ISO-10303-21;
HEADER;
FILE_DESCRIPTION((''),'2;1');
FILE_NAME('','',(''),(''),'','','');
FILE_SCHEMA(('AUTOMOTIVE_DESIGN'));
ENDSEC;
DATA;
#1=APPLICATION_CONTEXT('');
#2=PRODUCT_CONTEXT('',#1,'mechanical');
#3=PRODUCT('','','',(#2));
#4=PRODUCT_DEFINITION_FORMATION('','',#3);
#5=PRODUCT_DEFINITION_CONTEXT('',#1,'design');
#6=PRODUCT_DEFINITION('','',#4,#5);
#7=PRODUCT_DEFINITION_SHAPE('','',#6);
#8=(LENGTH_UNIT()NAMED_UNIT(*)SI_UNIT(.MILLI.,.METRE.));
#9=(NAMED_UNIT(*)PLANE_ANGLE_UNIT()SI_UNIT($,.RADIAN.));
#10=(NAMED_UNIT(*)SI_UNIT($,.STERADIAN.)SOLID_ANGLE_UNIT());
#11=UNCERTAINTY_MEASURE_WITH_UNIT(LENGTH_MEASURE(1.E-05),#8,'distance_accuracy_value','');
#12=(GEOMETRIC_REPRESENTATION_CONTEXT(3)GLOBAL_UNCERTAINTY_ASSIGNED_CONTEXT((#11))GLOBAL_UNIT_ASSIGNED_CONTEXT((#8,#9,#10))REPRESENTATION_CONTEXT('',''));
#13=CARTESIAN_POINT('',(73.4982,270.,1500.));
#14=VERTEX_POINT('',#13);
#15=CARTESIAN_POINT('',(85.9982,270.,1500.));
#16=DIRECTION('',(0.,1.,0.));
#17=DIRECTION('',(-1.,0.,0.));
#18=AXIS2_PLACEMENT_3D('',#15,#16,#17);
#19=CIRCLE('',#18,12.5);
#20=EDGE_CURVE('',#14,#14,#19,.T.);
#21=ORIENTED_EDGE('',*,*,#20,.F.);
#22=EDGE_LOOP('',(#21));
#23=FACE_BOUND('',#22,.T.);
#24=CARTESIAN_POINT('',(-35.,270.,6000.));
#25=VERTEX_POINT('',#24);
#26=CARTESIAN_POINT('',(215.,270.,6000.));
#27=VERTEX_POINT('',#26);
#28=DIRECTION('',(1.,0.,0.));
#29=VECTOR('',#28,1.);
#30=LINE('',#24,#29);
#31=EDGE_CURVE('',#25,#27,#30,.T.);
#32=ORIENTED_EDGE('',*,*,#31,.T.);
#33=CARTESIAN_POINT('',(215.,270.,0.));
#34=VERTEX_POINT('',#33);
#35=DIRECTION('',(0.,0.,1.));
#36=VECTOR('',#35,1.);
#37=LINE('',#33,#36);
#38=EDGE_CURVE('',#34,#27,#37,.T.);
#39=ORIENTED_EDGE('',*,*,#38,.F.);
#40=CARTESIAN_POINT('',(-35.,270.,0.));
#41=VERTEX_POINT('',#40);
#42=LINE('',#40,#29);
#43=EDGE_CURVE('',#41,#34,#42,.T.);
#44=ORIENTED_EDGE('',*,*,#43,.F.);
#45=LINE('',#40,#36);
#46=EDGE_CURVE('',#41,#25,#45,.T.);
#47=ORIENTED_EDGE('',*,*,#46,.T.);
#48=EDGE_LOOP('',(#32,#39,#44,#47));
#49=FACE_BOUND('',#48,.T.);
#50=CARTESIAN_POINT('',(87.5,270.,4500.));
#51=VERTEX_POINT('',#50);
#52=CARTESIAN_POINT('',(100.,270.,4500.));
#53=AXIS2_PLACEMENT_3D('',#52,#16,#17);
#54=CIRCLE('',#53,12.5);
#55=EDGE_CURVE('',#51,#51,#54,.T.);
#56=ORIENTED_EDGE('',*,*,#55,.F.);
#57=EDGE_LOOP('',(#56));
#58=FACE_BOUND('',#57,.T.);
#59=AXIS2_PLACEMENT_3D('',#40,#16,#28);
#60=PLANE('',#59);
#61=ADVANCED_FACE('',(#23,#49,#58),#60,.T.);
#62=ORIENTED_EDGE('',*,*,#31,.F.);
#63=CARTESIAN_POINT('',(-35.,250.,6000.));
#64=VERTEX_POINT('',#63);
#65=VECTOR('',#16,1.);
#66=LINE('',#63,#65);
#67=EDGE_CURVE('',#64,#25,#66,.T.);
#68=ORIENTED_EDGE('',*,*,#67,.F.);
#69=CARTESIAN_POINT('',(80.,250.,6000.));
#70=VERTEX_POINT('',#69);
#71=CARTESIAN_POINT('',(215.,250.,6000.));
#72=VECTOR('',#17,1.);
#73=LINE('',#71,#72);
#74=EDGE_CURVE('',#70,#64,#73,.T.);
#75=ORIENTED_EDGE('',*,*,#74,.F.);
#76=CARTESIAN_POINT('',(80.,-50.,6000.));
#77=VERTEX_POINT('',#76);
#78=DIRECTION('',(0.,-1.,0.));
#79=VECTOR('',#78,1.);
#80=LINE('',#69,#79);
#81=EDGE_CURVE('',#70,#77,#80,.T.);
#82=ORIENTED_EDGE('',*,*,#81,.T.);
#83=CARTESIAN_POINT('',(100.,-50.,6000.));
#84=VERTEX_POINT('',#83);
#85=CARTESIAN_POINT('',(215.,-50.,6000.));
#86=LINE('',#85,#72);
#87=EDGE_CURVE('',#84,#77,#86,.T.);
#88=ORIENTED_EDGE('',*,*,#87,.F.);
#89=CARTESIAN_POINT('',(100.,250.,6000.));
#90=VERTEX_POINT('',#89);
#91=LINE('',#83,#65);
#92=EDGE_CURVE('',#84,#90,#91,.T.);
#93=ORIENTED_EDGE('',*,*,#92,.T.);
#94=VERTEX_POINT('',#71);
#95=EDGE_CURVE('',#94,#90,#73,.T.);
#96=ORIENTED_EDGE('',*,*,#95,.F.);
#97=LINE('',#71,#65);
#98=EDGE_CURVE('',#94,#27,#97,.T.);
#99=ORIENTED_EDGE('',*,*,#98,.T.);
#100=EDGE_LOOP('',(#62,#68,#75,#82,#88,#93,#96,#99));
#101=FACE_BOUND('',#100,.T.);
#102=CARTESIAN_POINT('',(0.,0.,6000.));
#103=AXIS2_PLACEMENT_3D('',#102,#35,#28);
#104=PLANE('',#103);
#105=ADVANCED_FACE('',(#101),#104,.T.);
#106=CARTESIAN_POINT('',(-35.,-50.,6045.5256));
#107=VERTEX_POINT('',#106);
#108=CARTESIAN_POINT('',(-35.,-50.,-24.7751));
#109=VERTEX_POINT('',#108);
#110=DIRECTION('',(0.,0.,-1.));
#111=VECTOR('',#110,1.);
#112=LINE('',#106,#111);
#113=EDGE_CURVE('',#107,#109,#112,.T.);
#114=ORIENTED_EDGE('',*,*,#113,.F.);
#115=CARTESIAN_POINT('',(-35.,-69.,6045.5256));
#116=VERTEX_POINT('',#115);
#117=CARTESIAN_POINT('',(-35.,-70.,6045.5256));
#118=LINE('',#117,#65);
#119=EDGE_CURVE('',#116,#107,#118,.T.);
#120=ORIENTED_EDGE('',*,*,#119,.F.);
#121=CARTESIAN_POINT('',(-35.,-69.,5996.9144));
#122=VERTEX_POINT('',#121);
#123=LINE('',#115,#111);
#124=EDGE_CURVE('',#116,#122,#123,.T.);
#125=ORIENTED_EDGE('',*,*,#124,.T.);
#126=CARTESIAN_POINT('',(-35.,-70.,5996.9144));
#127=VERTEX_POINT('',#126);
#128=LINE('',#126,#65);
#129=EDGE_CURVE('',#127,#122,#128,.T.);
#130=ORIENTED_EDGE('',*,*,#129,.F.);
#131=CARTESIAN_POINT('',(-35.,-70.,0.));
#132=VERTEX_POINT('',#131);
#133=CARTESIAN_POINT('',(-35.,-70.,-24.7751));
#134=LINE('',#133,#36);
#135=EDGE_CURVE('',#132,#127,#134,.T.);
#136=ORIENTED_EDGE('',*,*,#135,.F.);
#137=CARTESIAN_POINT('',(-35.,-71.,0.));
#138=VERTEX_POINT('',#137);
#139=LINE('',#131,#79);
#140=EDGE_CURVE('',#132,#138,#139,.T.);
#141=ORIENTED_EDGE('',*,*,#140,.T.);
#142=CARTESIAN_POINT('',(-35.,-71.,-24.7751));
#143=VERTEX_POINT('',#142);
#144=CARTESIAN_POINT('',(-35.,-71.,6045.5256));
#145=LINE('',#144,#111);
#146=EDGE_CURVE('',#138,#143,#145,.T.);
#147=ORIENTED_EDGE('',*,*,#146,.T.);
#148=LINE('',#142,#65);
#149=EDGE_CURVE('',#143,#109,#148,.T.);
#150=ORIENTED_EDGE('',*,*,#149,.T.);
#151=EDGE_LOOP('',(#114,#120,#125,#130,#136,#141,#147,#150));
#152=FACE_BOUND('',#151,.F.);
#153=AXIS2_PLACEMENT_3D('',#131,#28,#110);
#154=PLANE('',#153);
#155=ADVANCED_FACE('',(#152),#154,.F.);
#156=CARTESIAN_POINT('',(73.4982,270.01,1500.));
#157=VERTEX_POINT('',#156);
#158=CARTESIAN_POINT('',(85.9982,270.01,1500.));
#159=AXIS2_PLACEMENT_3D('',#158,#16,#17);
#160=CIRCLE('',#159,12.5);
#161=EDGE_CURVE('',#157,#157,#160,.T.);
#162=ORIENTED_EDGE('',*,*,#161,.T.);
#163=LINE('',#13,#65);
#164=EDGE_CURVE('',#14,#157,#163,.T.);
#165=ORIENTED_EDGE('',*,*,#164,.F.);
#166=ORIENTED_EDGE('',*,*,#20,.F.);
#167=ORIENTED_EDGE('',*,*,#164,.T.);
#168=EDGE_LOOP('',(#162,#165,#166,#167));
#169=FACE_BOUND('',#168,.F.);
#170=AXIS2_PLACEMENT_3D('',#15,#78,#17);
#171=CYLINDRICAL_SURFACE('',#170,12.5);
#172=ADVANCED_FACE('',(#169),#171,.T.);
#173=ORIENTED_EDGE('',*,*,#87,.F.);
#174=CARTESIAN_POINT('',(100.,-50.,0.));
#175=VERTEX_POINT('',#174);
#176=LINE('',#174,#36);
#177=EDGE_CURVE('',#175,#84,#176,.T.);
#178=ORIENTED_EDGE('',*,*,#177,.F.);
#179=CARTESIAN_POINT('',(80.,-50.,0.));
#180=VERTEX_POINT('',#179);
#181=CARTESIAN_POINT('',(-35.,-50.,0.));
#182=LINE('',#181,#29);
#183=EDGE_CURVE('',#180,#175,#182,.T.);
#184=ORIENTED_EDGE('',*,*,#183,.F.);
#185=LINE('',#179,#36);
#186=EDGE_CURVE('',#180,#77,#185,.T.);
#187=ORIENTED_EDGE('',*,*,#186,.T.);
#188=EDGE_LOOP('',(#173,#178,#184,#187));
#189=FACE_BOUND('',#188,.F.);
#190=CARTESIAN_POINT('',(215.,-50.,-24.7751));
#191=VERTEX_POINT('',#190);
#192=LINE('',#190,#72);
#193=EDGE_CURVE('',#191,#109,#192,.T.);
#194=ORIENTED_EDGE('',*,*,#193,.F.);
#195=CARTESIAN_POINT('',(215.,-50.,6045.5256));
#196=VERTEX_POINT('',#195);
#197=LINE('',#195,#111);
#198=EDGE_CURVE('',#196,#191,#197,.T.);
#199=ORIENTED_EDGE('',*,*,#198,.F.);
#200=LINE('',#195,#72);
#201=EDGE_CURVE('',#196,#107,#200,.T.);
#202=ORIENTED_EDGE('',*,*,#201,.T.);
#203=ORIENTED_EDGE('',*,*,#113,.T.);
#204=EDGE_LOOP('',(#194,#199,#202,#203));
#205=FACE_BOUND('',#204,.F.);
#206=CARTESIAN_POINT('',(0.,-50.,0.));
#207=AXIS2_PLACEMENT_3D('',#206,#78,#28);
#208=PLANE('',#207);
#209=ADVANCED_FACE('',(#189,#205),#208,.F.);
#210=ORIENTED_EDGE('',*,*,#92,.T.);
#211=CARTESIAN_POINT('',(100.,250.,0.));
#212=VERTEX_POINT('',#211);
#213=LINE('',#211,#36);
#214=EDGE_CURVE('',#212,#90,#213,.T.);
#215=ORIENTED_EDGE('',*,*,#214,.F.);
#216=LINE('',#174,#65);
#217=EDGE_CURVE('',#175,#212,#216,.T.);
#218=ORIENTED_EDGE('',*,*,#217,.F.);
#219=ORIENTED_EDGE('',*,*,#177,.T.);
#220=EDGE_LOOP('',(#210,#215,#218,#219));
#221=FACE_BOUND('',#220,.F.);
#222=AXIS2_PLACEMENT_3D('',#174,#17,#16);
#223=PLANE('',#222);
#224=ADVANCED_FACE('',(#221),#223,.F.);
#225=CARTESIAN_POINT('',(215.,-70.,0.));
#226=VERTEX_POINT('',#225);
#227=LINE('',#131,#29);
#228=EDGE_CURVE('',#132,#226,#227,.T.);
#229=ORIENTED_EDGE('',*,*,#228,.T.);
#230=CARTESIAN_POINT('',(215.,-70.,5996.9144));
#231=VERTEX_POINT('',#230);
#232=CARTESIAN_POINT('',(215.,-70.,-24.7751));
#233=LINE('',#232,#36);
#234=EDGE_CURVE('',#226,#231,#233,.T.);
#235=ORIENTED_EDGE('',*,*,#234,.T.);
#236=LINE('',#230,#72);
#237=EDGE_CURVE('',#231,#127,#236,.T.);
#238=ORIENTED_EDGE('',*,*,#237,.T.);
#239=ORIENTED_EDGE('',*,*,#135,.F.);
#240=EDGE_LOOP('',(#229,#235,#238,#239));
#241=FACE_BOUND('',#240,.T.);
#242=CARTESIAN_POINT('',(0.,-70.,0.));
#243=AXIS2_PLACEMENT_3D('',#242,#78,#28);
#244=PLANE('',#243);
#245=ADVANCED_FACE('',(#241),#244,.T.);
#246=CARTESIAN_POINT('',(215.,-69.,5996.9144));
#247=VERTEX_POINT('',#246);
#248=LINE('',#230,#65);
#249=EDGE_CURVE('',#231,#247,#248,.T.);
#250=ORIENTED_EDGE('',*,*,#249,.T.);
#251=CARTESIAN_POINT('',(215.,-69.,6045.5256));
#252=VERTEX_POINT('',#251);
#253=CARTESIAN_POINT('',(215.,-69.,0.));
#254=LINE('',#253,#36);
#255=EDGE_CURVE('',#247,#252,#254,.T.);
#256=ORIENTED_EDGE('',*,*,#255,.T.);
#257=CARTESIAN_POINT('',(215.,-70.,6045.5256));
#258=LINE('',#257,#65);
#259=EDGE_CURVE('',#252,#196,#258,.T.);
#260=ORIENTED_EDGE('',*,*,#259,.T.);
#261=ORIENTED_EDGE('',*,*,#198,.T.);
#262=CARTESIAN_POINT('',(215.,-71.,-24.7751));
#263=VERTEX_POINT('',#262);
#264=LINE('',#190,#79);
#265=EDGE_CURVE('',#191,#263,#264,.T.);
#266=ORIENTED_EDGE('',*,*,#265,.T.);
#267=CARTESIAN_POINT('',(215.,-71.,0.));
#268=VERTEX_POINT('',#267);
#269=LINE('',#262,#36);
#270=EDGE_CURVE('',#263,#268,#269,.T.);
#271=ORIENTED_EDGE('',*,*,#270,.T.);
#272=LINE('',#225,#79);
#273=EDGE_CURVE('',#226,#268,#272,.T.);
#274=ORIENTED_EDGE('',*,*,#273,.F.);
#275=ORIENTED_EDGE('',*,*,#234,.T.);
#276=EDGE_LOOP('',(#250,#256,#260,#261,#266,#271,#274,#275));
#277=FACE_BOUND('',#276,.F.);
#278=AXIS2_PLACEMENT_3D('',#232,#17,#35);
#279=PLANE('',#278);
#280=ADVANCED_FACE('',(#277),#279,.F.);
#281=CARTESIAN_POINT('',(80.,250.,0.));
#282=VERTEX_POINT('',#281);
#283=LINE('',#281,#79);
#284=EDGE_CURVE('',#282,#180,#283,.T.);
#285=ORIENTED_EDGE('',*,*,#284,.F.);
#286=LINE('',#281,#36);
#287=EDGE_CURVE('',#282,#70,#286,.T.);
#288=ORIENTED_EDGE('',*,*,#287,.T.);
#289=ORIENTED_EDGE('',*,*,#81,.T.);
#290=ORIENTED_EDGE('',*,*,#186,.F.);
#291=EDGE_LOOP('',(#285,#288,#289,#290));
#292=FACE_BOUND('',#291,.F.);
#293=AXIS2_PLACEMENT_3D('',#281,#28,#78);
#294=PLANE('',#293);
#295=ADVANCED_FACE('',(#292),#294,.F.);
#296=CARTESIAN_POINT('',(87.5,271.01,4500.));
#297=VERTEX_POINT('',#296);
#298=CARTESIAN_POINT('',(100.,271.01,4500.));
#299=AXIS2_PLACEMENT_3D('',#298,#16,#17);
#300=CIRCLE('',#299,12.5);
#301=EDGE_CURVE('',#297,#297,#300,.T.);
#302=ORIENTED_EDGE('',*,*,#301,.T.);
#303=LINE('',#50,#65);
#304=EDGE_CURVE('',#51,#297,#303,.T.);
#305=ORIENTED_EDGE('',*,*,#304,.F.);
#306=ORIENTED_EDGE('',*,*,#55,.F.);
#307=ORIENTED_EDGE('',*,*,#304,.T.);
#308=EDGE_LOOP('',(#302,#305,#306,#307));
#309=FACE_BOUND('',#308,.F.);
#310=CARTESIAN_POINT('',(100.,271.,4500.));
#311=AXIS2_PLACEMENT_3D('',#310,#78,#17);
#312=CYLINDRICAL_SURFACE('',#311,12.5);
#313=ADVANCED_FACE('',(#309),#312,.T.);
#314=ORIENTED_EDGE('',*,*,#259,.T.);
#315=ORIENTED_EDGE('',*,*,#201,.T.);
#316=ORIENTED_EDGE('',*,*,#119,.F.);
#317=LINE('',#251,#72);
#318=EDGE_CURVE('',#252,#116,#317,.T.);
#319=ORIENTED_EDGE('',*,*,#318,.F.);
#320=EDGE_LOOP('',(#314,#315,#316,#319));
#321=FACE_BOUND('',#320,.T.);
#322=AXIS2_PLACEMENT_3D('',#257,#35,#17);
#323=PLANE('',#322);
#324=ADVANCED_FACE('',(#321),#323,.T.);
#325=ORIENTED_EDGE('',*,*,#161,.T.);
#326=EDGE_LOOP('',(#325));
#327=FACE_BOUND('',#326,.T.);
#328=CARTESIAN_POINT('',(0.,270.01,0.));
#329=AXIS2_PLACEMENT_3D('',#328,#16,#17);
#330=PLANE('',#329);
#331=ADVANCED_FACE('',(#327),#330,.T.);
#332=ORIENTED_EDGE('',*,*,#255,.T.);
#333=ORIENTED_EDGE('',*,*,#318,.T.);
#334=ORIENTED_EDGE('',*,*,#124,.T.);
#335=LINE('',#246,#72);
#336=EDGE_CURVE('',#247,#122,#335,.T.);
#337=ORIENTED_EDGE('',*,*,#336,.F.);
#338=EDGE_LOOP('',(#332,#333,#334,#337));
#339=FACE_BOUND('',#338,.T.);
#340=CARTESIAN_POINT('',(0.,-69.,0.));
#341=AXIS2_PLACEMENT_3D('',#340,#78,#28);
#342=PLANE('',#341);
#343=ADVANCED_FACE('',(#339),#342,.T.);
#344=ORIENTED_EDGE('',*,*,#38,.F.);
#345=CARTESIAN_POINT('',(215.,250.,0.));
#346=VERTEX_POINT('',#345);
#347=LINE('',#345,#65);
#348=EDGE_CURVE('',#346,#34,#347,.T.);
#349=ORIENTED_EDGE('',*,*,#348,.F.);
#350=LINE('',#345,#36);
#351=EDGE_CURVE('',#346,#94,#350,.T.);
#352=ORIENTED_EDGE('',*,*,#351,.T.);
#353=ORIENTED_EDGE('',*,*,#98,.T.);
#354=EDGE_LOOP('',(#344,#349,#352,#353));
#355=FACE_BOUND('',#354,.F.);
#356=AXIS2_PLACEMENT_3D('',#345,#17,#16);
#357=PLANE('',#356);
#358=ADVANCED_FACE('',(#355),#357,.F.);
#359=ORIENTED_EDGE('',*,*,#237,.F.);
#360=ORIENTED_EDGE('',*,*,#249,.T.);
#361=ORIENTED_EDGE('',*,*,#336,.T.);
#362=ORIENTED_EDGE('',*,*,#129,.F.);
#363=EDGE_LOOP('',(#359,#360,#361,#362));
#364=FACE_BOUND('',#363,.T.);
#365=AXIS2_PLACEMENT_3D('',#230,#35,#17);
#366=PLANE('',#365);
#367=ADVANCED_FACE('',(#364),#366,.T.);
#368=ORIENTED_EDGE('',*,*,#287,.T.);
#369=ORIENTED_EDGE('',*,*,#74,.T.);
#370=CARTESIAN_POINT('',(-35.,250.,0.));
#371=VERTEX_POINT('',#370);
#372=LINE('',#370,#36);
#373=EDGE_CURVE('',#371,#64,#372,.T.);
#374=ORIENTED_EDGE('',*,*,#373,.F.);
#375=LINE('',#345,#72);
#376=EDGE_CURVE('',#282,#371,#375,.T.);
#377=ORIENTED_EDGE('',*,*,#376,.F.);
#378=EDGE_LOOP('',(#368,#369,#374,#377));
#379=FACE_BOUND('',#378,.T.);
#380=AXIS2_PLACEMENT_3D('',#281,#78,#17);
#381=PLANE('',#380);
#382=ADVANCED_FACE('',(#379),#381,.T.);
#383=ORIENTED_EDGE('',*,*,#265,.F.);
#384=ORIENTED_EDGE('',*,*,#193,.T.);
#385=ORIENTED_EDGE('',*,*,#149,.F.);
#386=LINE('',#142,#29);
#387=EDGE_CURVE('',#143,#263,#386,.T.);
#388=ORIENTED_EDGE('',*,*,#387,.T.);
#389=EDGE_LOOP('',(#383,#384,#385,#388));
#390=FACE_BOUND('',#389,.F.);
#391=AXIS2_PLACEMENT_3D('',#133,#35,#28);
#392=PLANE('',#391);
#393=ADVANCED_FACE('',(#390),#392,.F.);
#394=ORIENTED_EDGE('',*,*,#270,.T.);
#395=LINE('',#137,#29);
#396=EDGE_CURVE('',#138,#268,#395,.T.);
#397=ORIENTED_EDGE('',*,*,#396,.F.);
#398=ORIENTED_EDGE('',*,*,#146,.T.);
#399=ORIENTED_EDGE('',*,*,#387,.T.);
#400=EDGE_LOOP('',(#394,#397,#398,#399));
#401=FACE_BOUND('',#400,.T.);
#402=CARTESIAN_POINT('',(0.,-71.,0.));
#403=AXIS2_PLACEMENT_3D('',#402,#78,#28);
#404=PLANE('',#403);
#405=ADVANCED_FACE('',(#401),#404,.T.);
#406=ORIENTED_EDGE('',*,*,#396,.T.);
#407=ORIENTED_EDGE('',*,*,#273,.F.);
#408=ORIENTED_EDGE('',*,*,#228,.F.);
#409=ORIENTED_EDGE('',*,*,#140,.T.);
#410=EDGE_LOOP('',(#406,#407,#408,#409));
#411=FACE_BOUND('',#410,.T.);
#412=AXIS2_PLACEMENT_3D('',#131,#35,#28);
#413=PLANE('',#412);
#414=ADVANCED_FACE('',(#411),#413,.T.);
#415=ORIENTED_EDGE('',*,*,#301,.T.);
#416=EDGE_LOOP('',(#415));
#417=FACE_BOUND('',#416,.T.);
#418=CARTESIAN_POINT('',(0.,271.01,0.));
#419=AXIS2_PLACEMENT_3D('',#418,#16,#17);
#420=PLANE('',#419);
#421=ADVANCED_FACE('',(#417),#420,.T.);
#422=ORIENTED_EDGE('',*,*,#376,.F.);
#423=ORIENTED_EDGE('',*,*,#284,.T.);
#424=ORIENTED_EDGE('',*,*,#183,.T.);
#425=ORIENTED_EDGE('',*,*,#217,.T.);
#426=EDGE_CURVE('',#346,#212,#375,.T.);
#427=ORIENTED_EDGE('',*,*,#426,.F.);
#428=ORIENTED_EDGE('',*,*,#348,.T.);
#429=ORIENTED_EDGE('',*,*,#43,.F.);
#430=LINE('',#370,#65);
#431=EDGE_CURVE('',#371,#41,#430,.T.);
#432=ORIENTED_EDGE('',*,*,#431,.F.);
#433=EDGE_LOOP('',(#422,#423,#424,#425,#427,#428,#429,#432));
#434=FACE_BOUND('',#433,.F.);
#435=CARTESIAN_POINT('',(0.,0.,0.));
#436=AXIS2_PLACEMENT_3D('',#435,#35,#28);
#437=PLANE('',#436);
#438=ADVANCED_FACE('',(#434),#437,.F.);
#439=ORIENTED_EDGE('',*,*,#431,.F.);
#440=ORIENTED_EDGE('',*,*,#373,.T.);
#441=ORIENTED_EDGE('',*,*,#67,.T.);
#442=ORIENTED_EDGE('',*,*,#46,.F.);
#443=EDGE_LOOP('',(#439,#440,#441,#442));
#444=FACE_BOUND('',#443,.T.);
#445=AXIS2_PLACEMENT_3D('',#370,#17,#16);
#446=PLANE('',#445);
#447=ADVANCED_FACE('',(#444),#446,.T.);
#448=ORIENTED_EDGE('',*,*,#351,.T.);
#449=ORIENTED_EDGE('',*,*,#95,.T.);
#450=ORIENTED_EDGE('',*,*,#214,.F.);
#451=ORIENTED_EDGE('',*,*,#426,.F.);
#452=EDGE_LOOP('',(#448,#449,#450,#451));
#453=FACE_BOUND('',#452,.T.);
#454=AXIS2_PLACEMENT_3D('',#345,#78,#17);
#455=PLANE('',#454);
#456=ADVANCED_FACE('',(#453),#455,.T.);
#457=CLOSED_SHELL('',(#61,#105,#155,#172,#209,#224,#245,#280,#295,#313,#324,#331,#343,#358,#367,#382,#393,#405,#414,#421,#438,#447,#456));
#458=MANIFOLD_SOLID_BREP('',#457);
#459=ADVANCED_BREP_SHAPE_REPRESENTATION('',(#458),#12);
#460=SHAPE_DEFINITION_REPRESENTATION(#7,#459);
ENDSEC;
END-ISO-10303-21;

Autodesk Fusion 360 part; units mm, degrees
sketch "Sketch1" plane through (0, 0, 0) normal (0, 0, 1) x (1, 0, 0)
  line L0 (-35, -70) -> (215, -70)
  line L1 (215, -70) -> (215, -50)
  line L2 (215, -50) -> (-35, -50)
  line L3 (-35, -50) -> (-35, -70)
  line L4 (80, -50) -> (100, -50)
  line L5 (100, -50) -> (100, 250)
  line L6 (100, 250) -> (80, 250)
  line L7 (80, 250) -> (80, -50)
  line L8 (-35, 250) -> (-35, 270)
  line L9 (215, 250) -> (215, 270)
  line L10 (215, 250) -> (-35, 250)
  line L11 (-35, 250) -> (-35, 270)
  line L12 (-35, 270) -> (215, 270)
  line L13 (215, 270) -> (215, 250)
  dimension "d1" = 250
  dimension "d2" = 20
  dimension "d3" = 20
  dimension "d4" = 300
  dimension "d5" = 20
  dimension "d6" = 115
  dimension "d7" = 115
  dimension "d8" = 115
  dimension "d9" = 115
extrude "Extrude1" add sketch "Sketch1" along normal blind 6000
sketch "Sketch2" plane through (0, 270, 0) normal (0, 1, 0) x (-1, 0, 0)
  line L0 (-215, 0) -> (35, 0)
  line L1 (35, 0) -> (35, 6000)
  line L2 (35, 6000) -> (-215, 6000)
  line L3 (-215, 6000) -> (-215, 0)
  circle A0 centre (-100, 4500) radius 12.5
  circle A1 centre (-100, 1500) radius 12.5
  dimension "d12" = 25
  dimension "d13" = 1500
  dimension "d14" = 25
  dimension "d15" = 1500
extrude "Extrude2" add sketch "Sketch2" along normal blind 1 contours A0
extrude "Extrude3" add 1 faces at (100.9272, 271, 4491.2435) along direction (0, 1, 0) blind 0.01
sketch "Sketch3" plane through (0, 270, 0) normal (0, 1, 0) x (-1, 0, 0)
  circle A0 centre (-100, 4500) radius 12.5
  line L0 (-215, 0) -> (35, 0)
  line L1 (35, 0) -> (35, 6000)
  line L2 (35, 6000) -> (-215, 6000)
  line L3 (-215, 6000) -> (-215, 0)
  circle A1 centre (-85.9982, 1500) radius 12.5
  dimension "d20" = 25
  dimension "d21" = 1500
extrude "Extrude4" add sketch "Sketch3" along normal blind 0.01 contours A1
sketch "Sketch4" plane through (0, -70, 0) normal (0, -1, 0) x (1, 0, 0)
  line L0 (-35, 0) -> (215, 0)
  line L1 (215, 0) -> (215, 6000)
  line L2 (215, 6000) -> (-35, 6000)
  line L3 (-35, 6000) -> (-35, 0)
  line L4 (-35, 0) -> (215, 0)
  line L5 (215, 0) -> (215, -24.7751)
  line L6 (215, -24.7751) -> (-35, -24.7751)
  line L7 (-35, -24.7751) -> (-35, 0)
  line L8 (-35, 6000) -> (215, 6000)
  line L9 (215, 6000) -> (215, 6030.0887)
  line L10 (215, 6030.0887) -> (-35, 6030.0887)
  line L11 (-35, 6030.0887) -> (-35, 6000)
extrude "Extrude5" add sketch "Sketch4" against normal blind 20 contours L0 L4 L5 L6 L7
sketch "Sketch5" plane through (0, -70, 0) normal (0, -1, 0) x (1, 0, 0)
  line L0 (215, -24.7751) -> (215, 6000)
  line L1 (215, 6000) -> (-35, 6000)
  line L2 (-35, 6000) -> (-35, -24.7751)
  line L3 (-35, -24.7751) -> (215, -24.7751)
  line L4 (-35, 6000) -> (215, 6000)
  line L5 (215, 6000) -> (215, 6045.5256)
  line L6 (215, 6045.5256) -> (-35, 6045.5256)
  line L7 (-35, 6045.5256) -> (-35, 6000)
extrude "Extrude6" add sketch "Sketch5" against normal blind 20 contours L1 L4 L5 L6 L7
sketch "Sketch6" plane through (0, -50, 0) normal (0, 1, 0) x (-1, 0, 0)
  line L0 (-80, 6000) -> (-80, 0)
  line L1 (-80, 0) -> (-100, 0)
  line L2 (-100, 0) -> (-100, 6000)
  line L3 (-100, 6000) -> (-80, 6000)
  line L4 (35, -24.7751) -> (35, 6045.5256)
  line L5 (35, 6045.5256) -> (-215, 6045.5256)
  line L6 (-215, 6045.5256) -> (-215, -24.7751)
  line L7 (-215, -24.7751) -> (35, -24.7751)
  line L8 (35, 0) -> (44.2199, 0)
  line L9 (-215, 6009.7723) -> (200, 6009.7723)
  line L10 (200, 6009.7723) -> (-385.0295, 6009.7723)
  line L11 (-228.2182, 6046.4588) -> (-228.2182, 6009.7723)
  line L12 (25.7445, 6045.5256) -> (28.1278, 6009.7723)
  line L13 (-212.657, -24.7751) -> (-212.657, -35.5984)
  line L14 (44.2199, 0) -> (35, 0)
  line L15 (-215, 0) -> (-224.2, 0)
  line L16 (55.9142, -33.1803) -> (55.9142, 0)
  line L17 (55.9142, 0) -> (35, 0)
sketch "Sketch7" plane through (0, 0, 0) normal (0, 1, 0) x (1, 0, 0)
  line L0 (215, 24.7751) -> (-35, 24.7751)
  point P0 (80, 0)
  dimension "d28" = 24.7751
sketch "Sketch8" plane through (0, -70, 0) normal (0, -1, 0) x (1, 0, 0)
  line L0 (215, -24.7751) -> (215, 6045.5256)
  line L1 (215, 6045.5256) -> (-35, 6045.5256)
  line L2 (-35, 6045.5256) -> (-35, -24.7751)
  line L3 (-35, -24.7751) -> (215, -24.7751)
  line L4 (-35, -24.7751) -> (-35, 0)
  line L5 (215, 0) -> (215, -24.7751)
  line L6 (-35, 0) -> (215, 0)
extrude "Extrude7" add sketch "Sketch8" along normal blind 1 contours L0 L2 L3 L4 L5 L6
sketch "Sketch9" plane through (0, -70, 0) normal (0, -1, 0) x (1, 0, 0)
  line L0 (-35, 0) -> (215, 0)
  line L1 (215, 0) -> (215, 6045.5256)
  line L2 (215, 6045.5256) -> (-35, 6045.5256)
  line L3 (-35, 6045.5256) -> (-35, 0)
  line L4 (-35, 6045.5256) -> (-35, 5996.9144)
  line L5 (215, 5996.9144) -> (-35, 5996.9144)
  line L6 (215, 6045.5256) -> (215, 5996.9144)
  line L7 (215, 6045.5256) -> (-35, 6045.5256)
extrude "Extrude8" cut sketch "Sketch9" against normal blind 1 contours L1 L2 L3 L4 L5 L6 L7
